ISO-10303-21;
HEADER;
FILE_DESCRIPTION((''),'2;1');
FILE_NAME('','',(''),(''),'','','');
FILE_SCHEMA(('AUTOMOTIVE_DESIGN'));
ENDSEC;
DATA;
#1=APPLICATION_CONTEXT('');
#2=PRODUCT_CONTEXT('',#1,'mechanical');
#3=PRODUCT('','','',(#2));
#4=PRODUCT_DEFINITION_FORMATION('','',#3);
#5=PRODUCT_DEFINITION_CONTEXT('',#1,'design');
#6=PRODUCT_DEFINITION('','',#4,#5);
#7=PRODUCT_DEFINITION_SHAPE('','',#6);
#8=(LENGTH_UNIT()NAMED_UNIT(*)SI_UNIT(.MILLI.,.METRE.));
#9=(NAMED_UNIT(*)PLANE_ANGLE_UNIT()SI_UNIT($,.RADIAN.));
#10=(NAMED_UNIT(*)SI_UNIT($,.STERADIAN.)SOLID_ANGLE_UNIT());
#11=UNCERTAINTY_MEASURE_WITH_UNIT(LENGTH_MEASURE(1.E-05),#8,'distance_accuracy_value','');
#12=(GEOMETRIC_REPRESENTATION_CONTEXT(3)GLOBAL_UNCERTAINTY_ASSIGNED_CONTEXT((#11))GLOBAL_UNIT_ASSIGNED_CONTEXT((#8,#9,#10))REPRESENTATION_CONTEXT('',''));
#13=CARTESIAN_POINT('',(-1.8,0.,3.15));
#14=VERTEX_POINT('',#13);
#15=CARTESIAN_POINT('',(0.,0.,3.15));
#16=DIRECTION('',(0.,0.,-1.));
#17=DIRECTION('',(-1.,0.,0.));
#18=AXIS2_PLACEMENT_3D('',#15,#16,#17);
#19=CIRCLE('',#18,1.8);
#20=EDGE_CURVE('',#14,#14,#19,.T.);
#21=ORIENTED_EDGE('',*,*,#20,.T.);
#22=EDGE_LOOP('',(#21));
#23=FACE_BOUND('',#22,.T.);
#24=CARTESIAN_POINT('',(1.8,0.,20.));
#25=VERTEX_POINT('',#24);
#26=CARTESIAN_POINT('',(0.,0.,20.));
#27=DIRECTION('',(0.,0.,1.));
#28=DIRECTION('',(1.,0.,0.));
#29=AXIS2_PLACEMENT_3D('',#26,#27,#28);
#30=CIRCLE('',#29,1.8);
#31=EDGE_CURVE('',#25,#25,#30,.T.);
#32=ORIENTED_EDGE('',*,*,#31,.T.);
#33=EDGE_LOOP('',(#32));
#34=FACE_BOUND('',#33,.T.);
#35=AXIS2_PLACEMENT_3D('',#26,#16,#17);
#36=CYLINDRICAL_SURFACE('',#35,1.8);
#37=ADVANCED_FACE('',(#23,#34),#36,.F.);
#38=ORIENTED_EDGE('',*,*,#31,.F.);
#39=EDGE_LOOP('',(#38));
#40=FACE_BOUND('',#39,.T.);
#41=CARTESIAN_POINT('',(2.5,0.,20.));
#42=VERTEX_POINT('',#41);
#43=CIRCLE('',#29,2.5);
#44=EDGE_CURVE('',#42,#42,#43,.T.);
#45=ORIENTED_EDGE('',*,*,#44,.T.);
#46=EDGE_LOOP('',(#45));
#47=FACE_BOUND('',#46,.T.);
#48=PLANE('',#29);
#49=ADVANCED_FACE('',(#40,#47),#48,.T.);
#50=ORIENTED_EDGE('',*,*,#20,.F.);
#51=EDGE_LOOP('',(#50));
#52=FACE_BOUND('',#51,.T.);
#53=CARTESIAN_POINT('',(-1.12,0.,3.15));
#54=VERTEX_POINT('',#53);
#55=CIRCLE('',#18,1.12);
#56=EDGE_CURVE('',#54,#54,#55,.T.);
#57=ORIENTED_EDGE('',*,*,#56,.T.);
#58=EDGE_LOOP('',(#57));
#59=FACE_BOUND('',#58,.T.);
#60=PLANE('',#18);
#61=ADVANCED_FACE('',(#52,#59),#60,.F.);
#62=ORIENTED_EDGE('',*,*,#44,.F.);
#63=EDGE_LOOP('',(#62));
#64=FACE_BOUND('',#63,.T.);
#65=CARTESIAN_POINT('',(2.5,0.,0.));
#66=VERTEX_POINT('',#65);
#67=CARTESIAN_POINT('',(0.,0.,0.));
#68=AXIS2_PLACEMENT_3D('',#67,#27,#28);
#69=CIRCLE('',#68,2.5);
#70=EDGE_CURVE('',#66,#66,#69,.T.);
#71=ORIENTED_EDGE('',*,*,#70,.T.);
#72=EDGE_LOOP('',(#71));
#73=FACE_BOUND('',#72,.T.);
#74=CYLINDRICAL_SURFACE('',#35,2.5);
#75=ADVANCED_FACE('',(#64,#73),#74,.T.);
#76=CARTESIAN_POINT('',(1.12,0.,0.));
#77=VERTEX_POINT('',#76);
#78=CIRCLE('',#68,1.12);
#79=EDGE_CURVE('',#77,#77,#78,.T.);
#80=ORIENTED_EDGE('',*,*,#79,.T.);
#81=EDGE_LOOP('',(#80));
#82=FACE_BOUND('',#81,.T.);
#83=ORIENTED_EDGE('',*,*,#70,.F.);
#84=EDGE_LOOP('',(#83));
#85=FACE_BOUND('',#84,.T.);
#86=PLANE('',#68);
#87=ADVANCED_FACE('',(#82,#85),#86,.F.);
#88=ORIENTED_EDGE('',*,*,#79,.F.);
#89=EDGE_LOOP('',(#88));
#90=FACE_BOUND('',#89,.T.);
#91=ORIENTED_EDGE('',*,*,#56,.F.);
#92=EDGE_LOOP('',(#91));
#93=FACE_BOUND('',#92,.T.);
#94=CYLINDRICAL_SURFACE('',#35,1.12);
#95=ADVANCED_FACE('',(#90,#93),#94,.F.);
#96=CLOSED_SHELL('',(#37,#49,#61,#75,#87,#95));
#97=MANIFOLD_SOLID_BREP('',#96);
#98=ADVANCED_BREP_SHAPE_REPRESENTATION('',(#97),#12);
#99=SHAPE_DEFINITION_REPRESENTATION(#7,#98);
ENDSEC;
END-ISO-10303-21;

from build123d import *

# Parameters (mm, degrees)
CROQUIS1_R                 = 2.5
CROQUIS1_R_2               = 1.8
SALIENTE_EXTRUIR1_DEPTH    = 20
CROQUIS3_R                 = 1.8
SALIENTE_EXTRUIR2_DEPTH    = 3.15
CORTAR_EXTRUIR1_DEPTH      = 21.310096012
CORTAR_EXTRUIR1_DEPTH_BACK = 21.310096012
CROQUIS4_R                 = 1.12


with BuildPart() as part:
    # Croquis1 → Saliente-Extruir1 (new body)
    with BuildSketch(Plane.XY):
        Circle(CROQUIS1_R)
        Circle(CROQUIS1_R_2, mode=Mode.SUBTRACT)
    extrude(amount=SALIENTE_EXTRUIR1_DEPTH)

    # Croquis3 → Saliente-Extruir2 (add)
    with BuildSketch(Plane(origin=(0, 0, 0), x_dir=(-1, 0, 0), z_dir=(0, 0, -1))):
        Circle(CROQUIS3_R)
    extrude(amount=-SALIENTE_EXTRUIR2_DEPTH)

    # Croquis4 → Cortar-Extruir1 (cut, two sides: drawn at the far end of the back side and taken through both)
    with BuildSketch(Plane(origin=(0, 0, 0), x_dir=(-1, 0, 0), z_dir=(0, 0, -1)).offset(-CORTAR_EXTRUIR1_DEPTH_BACK)):
        Circle(CROQUIS4_R)
    extrude(amount=CORTAR_EXTRUIR1_DEPTH + CORTAR_EXTRUIR1_DEPTH_BACK, mode=Mode.SUBTRACT)


solid = part.part
